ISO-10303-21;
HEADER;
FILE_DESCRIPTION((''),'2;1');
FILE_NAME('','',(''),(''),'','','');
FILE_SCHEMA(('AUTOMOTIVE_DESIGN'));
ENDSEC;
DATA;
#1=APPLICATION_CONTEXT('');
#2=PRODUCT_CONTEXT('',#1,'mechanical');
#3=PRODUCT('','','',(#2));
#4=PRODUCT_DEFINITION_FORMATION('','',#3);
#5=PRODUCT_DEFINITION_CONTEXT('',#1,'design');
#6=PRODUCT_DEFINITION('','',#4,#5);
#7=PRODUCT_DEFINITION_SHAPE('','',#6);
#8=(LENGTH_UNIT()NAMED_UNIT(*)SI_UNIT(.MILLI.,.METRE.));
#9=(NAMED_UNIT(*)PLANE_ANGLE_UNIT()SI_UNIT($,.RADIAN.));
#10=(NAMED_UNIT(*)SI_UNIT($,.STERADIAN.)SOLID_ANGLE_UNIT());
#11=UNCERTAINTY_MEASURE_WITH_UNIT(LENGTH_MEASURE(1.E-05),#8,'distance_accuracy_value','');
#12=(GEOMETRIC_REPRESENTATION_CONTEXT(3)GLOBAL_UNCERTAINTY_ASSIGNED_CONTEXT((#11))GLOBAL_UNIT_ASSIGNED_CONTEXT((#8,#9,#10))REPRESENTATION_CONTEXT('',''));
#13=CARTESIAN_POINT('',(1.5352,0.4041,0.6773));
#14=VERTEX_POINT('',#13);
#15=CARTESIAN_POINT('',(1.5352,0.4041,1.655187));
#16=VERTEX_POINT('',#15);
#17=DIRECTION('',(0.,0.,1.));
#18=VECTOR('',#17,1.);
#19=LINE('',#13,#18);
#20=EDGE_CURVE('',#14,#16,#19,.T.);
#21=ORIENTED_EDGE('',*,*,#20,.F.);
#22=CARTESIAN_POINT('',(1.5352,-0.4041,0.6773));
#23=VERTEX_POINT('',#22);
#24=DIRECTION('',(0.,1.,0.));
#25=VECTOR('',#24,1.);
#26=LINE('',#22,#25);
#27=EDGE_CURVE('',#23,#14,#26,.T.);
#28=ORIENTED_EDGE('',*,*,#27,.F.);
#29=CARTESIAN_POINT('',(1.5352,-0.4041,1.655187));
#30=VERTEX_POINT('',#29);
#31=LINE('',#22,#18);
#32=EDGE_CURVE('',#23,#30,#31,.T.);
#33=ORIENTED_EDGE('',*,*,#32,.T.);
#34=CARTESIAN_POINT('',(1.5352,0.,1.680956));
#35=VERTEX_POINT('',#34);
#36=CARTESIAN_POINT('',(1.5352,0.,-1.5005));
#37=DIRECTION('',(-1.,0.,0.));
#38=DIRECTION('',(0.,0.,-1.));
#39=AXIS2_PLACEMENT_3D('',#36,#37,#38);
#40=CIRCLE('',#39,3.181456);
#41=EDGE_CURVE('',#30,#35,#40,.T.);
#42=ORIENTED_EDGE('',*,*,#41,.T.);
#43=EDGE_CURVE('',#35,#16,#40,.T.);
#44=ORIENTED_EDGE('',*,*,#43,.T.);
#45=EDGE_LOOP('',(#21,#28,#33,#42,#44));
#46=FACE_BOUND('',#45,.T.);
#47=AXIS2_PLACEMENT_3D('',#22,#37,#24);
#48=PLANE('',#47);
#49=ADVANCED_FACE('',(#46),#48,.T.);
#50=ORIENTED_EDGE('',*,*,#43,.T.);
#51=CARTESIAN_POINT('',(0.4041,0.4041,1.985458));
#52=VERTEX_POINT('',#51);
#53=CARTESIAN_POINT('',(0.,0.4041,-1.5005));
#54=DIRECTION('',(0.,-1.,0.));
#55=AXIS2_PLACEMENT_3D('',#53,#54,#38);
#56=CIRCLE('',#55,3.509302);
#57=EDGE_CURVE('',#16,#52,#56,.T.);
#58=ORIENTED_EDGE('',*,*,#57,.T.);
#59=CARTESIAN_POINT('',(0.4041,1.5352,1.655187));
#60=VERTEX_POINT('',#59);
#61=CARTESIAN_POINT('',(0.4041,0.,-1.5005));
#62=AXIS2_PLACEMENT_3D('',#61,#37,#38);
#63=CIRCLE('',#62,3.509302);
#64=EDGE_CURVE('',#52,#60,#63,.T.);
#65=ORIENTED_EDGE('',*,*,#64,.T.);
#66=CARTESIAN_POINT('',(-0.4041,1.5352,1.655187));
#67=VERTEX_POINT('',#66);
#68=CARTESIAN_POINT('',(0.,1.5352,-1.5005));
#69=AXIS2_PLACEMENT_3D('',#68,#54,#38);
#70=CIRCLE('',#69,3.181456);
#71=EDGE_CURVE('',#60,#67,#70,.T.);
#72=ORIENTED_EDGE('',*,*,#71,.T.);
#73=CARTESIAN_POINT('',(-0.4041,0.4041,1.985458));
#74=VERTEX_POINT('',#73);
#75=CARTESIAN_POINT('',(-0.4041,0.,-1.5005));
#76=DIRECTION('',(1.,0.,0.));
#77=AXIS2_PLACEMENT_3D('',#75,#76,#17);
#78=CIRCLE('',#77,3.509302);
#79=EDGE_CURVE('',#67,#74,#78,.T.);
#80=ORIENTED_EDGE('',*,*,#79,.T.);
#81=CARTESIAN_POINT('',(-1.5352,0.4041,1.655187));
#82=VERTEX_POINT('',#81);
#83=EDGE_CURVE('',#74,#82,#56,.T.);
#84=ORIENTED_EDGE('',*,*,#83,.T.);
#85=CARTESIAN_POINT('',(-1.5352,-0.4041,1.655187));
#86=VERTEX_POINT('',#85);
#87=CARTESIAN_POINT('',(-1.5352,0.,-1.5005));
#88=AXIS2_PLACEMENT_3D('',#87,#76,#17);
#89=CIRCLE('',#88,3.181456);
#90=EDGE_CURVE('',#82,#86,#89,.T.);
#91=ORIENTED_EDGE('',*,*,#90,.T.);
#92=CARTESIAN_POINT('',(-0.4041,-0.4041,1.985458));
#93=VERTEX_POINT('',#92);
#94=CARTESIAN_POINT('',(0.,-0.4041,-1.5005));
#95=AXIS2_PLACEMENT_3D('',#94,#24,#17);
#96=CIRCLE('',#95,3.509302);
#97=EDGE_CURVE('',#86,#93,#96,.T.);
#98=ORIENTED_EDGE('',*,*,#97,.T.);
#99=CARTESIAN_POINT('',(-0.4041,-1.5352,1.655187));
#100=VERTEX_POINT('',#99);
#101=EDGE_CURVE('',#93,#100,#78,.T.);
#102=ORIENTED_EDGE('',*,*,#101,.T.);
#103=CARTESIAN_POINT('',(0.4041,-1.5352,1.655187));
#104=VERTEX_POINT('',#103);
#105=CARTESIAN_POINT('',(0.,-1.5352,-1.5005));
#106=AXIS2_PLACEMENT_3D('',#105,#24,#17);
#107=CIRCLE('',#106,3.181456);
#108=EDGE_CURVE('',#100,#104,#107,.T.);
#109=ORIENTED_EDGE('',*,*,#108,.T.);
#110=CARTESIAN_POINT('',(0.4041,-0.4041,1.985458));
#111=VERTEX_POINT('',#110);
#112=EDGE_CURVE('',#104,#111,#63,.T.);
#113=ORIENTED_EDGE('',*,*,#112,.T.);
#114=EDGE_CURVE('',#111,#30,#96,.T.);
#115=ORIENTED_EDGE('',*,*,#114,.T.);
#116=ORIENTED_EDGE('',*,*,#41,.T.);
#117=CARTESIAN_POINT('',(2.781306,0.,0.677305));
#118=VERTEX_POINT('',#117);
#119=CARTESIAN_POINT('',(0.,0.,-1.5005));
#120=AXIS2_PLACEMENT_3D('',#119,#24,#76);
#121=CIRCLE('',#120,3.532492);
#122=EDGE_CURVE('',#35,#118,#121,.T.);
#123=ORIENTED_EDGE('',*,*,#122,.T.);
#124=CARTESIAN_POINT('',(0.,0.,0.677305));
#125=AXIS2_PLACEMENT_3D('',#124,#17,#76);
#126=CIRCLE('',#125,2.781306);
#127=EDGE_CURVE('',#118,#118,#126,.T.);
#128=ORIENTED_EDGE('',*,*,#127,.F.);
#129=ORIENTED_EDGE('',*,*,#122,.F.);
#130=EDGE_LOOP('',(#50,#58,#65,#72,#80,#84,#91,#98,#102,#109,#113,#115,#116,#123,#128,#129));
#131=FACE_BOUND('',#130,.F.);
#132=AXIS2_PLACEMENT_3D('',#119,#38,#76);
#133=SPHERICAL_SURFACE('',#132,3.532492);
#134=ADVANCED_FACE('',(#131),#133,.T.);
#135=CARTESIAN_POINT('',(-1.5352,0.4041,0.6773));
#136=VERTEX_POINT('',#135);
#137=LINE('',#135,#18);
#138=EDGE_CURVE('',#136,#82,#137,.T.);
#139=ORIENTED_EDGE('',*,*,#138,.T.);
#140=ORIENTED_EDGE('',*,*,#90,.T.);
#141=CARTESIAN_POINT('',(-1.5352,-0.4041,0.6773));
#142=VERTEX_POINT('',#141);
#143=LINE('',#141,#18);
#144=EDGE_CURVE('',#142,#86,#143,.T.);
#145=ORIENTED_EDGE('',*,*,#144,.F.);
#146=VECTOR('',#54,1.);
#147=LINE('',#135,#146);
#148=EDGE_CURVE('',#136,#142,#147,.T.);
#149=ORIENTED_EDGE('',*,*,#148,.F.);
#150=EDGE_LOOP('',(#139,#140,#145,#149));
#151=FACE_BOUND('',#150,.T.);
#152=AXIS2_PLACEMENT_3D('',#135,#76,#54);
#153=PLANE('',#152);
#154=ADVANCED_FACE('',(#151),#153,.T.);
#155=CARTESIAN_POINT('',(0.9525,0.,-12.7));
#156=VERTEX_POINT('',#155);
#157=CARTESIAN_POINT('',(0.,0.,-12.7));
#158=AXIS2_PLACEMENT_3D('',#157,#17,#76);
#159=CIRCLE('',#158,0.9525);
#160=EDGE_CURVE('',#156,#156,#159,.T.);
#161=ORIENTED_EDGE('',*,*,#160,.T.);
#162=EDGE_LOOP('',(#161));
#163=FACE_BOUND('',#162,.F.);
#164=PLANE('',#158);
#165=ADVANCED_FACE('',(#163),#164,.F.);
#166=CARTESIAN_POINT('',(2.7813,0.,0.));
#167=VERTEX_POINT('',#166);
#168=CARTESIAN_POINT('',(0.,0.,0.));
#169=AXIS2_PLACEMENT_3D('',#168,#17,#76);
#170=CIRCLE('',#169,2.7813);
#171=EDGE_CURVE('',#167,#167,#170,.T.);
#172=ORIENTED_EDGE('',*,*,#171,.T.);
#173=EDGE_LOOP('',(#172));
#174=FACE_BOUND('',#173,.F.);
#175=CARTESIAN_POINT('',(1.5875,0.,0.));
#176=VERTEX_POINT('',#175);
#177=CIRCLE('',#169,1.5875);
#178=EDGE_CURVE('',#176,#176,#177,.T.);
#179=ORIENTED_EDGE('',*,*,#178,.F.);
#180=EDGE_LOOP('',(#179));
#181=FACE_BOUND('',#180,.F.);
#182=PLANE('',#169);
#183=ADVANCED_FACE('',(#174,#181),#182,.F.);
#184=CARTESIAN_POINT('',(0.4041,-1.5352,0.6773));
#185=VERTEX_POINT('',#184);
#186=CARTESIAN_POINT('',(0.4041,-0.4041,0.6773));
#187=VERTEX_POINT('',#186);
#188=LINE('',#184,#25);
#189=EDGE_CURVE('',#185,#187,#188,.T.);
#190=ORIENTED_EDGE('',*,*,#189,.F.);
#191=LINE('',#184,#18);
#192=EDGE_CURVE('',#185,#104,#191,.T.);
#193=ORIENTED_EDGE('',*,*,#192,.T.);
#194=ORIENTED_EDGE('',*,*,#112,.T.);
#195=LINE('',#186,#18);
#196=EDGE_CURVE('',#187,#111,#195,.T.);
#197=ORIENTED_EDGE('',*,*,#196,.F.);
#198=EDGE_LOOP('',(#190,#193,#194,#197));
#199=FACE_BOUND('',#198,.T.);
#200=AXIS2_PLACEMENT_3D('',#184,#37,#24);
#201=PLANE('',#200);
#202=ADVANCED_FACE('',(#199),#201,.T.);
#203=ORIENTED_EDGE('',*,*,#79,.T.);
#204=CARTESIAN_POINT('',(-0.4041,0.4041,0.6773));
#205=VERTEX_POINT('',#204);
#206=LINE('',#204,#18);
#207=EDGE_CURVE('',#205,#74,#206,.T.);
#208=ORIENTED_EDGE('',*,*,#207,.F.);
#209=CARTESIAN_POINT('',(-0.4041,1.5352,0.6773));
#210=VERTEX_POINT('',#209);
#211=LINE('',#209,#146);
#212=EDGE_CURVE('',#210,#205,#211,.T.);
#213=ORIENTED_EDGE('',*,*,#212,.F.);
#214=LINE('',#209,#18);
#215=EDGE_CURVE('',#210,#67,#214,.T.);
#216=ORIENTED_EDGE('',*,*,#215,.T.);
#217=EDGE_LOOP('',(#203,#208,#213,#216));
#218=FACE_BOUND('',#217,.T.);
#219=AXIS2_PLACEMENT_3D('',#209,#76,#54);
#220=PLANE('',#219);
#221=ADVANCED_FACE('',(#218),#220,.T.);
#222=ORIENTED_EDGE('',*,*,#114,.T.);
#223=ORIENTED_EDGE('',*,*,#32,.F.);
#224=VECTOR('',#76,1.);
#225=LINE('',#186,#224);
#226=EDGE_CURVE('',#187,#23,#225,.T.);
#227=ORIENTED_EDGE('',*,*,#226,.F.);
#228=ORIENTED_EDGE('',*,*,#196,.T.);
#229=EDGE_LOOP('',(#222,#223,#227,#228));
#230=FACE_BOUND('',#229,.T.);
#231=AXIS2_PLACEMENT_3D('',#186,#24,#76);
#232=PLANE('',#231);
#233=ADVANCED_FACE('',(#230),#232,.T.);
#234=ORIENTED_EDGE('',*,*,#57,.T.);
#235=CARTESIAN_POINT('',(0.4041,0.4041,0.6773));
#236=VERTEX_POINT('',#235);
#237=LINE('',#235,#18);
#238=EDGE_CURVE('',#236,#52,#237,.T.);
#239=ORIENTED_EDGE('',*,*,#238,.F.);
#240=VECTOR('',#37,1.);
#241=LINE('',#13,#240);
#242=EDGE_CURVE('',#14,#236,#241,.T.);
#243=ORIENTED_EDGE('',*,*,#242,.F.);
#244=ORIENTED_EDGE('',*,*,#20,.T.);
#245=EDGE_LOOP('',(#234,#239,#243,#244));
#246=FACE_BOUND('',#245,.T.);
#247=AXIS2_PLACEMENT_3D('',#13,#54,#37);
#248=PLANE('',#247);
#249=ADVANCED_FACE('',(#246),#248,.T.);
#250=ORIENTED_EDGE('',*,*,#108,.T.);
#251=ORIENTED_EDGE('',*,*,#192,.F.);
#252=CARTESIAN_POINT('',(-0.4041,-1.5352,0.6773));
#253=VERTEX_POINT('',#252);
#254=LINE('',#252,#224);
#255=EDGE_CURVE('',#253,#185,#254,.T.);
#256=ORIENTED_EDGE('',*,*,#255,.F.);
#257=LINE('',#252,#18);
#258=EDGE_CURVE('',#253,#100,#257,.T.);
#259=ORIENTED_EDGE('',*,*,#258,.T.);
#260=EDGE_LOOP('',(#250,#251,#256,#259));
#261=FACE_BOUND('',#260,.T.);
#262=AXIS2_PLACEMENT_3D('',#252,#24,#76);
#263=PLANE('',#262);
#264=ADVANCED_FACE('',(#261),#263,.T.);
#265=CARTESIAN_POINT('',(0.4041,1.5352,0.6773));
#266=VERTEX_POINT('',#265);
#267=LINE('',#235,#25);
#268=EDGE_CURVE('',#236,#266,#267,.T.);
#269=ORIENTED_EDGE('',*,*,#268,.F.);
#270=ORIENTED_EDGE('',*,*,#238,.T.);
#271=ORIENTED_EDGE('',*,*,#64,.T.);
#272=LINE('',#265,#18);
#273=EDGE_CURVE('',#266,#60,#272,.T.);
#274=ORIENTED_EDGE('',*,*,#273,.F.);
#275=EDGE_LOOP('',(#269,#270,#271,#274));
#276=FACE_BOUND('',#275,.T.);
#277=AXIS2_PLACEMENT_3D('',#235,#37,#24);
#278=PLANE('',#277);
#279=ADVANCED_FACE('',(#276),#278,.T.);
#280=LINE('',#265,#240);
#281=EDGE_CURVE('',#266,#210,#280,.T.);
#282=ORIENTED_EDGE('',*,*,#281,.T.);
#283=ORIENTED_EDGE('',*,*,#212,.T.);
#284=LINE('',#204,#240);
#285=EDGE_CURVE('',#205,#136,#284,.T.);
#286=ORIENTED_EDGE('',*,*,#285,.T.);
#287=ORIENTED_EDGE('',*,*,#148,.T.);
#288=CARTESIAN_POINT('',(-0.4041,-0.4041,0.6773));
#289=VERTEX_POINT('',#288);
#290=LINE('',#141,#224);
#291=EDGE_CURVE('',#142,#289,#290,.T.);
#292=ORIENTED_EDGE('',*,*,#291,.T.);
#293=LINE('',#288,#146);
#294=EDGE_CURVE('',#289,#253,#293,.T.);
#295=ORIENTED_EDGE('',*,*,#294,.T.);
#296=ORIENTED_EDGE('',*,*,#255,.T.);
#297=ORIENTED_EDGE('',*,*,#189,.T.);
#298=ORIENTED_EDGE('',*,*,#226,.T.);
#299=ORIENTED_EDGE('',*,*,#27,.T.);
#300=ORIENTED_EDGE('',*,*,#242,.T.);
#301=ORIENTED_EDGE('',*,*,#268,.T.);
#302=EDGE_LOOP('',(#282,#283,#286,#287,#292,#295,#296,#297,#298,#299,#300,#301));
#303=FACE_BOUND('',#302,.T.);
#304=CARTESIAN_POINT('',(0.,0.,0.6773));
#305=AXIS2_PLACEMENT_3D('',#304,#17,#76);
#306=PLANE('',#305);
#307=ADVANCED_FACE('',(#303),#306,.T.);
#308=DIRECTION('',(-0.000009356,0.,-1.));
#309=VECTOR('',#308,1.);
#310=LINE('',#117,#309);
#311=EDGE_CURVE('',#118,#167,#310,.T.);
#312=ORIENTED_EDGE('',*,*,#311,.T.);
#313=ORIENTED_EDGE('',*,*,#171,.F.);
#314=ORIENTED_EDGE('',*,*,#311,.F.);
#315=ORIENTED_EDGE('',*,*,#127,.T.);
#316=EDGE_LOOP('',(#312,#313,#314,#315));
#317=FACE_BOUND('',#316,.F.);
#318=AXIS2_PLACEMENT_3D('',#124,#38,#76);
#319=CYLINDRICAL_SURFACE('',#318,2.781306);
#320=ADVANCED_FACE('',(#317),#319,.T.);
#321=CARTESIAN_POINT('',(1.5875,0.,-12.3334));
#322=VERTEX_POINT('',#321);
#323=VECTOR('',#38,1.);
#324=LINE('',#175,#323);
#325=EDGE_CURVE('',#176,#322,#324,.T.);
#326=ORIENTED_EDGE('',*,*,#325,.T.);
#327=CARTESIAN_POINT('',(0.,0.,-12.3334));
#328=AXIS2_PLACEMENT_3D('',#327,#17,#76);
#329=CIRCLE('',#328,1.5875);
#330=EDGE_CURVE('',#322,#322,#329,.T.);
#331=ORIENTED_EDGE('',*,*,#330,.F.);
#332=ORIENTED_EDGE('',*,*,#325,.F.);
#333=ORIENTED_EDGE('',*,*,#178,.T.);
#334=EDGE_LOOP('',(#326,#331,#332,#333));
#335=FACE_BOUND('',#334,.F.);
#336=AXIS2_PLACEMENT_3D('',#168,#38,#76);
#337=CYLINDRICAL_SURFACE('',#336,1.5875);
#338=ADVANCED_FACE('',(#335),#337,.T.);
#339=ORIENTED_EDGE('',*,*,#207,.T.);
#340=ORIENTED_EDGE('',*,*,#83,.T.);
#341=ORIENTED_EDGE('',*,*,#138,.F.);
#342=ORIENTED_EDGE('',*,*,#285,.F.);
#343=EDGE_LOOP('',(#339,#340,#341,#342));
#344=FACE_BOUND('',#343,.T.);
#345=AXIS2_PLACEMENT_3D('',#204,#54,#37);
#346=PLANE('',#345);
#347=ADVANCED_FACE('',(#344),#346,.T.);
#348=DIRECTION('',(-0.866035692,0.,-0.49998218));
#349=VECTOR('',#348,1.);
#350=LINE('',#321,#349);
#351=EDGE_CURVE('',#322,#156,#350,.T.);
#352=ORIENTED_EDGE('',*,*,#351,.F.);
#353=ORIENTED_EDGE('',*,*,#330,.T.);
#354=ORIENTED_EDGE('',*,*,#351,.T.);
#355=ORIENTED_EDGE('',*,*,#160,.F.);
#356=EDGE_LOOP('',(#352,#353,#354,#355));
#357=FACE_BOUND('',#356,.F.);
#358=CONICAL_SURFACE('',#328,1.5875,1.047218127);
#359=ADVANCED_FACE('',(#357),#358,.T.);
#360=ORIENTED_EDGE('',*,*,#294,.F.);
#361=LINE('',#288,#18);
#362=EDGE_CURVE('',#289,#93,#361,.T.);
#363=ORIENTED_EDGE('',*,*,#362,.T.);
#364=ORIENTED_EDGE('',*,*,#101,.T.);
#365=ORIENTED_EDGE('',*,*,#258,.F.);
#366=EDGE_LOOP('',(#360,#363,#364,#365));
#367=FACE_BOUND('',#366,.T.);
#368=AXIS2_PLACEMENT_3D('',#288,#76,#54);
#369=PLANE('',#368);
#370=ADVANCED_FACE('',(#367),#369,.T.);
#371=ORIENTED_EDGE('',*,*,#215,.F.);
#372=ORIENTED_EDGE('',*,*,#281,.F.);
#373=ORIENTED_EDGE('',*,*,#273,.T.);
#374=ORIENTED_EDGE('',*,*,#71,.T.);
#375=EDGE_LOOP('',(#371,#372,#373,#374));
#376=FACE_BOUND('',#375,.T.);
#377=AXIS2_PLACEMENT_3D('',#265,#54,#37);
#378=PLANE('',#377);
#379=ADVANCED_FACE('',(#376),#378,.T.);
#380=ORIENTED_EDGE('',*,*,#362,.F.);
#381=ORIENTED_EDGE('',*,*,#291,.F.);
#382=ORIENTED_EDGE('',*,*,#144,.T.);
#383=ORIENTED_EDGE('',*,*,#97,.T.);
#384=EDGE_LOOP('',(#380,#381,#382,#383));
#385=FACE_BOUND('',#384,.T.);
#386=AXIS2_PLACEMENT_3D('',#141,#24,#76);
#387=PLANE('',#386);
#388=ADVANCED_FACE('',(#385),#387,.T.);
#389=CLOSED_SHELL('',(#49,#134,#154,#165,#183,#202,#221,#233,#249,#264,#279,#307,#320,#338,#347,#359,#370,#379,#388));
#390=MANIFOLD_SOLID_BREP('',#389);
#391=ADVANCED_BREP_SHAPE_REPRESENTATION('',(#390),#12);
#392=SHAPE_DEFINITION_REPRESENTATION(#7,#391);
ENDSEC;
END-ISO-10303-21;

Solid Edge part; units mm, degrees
sketch "Sketch1" plane through (0, 0, 0) normal (0, -1, 0) x (1, 0, 0)
  arc A0 (0, 2.032) -> (2.7813, 0.6773) centre (0, -1.5005) cw
  line L0 (2.7813, 0.6773) -> (2.7813, 0)
  line L1 (2.7813, 0) -> (1.5875, 0)
  line L2 (1.5875, 0) -> (1.5875, -12.3334)
  line L3 (1.5875, -12.3334) -> (0.9525, -12.7)
  line L4 (0.9525, -12.7) -> (0, -12.7)
  dimension "D1" = 12.7
  dimension "D2" = 2.032
  dimension "D3" = 0.6773
revolve "RevolvedProtrusion1" add sketch "Sketch1" angle 360 about axis through (0, 0, 0) along (0, 0, 1)
sketch "Sketch2" plane through (0, 0, 0.6773) normal (0, 0, 1) x (1, 0, 0)
  line L0 (0.4041, -0.4041) -> (1.5352, -0.4041)
  line L1 (1.5352, -0.4041) -> (1.5352, 0.4041)
  line L2 (1.5352, 0.4041) -> (0.4041, 0.4041)
  line L3 (0.4041, 0.4041) -> (0.4041, 1.5352)
  line L4 (0.4041, 1.5352) -> (-0.4041, 1.5352)
  line L5 (-0.4041, 1.5352) -> (-0.4041, 0.4041)
  line L6 (-0.4041, 0.4041) -> (-1.5352, 0.4041)
  line L7 (-1.5352, 0.4041) -> (-1.5352, -0.4041)
  line L8 (-1.5352, -0.4041) -> (-0.4041, -0.4041)
  line L9 (-0.4041, -0.4041) -> (-0.4041, -1.5352)
  line L10 (-0.4041, -1.5352) -> (0.4041, -1.5352)
  line L11 (0.4041, -1.5352) -> (0.4041, -0.4041)
extrude "Cutout1" cut sketch "Sketch2" along normal through all
cosmetic_thread "Thread1" size "#5-40 UNC"
properties material "Acier galvanisé"
